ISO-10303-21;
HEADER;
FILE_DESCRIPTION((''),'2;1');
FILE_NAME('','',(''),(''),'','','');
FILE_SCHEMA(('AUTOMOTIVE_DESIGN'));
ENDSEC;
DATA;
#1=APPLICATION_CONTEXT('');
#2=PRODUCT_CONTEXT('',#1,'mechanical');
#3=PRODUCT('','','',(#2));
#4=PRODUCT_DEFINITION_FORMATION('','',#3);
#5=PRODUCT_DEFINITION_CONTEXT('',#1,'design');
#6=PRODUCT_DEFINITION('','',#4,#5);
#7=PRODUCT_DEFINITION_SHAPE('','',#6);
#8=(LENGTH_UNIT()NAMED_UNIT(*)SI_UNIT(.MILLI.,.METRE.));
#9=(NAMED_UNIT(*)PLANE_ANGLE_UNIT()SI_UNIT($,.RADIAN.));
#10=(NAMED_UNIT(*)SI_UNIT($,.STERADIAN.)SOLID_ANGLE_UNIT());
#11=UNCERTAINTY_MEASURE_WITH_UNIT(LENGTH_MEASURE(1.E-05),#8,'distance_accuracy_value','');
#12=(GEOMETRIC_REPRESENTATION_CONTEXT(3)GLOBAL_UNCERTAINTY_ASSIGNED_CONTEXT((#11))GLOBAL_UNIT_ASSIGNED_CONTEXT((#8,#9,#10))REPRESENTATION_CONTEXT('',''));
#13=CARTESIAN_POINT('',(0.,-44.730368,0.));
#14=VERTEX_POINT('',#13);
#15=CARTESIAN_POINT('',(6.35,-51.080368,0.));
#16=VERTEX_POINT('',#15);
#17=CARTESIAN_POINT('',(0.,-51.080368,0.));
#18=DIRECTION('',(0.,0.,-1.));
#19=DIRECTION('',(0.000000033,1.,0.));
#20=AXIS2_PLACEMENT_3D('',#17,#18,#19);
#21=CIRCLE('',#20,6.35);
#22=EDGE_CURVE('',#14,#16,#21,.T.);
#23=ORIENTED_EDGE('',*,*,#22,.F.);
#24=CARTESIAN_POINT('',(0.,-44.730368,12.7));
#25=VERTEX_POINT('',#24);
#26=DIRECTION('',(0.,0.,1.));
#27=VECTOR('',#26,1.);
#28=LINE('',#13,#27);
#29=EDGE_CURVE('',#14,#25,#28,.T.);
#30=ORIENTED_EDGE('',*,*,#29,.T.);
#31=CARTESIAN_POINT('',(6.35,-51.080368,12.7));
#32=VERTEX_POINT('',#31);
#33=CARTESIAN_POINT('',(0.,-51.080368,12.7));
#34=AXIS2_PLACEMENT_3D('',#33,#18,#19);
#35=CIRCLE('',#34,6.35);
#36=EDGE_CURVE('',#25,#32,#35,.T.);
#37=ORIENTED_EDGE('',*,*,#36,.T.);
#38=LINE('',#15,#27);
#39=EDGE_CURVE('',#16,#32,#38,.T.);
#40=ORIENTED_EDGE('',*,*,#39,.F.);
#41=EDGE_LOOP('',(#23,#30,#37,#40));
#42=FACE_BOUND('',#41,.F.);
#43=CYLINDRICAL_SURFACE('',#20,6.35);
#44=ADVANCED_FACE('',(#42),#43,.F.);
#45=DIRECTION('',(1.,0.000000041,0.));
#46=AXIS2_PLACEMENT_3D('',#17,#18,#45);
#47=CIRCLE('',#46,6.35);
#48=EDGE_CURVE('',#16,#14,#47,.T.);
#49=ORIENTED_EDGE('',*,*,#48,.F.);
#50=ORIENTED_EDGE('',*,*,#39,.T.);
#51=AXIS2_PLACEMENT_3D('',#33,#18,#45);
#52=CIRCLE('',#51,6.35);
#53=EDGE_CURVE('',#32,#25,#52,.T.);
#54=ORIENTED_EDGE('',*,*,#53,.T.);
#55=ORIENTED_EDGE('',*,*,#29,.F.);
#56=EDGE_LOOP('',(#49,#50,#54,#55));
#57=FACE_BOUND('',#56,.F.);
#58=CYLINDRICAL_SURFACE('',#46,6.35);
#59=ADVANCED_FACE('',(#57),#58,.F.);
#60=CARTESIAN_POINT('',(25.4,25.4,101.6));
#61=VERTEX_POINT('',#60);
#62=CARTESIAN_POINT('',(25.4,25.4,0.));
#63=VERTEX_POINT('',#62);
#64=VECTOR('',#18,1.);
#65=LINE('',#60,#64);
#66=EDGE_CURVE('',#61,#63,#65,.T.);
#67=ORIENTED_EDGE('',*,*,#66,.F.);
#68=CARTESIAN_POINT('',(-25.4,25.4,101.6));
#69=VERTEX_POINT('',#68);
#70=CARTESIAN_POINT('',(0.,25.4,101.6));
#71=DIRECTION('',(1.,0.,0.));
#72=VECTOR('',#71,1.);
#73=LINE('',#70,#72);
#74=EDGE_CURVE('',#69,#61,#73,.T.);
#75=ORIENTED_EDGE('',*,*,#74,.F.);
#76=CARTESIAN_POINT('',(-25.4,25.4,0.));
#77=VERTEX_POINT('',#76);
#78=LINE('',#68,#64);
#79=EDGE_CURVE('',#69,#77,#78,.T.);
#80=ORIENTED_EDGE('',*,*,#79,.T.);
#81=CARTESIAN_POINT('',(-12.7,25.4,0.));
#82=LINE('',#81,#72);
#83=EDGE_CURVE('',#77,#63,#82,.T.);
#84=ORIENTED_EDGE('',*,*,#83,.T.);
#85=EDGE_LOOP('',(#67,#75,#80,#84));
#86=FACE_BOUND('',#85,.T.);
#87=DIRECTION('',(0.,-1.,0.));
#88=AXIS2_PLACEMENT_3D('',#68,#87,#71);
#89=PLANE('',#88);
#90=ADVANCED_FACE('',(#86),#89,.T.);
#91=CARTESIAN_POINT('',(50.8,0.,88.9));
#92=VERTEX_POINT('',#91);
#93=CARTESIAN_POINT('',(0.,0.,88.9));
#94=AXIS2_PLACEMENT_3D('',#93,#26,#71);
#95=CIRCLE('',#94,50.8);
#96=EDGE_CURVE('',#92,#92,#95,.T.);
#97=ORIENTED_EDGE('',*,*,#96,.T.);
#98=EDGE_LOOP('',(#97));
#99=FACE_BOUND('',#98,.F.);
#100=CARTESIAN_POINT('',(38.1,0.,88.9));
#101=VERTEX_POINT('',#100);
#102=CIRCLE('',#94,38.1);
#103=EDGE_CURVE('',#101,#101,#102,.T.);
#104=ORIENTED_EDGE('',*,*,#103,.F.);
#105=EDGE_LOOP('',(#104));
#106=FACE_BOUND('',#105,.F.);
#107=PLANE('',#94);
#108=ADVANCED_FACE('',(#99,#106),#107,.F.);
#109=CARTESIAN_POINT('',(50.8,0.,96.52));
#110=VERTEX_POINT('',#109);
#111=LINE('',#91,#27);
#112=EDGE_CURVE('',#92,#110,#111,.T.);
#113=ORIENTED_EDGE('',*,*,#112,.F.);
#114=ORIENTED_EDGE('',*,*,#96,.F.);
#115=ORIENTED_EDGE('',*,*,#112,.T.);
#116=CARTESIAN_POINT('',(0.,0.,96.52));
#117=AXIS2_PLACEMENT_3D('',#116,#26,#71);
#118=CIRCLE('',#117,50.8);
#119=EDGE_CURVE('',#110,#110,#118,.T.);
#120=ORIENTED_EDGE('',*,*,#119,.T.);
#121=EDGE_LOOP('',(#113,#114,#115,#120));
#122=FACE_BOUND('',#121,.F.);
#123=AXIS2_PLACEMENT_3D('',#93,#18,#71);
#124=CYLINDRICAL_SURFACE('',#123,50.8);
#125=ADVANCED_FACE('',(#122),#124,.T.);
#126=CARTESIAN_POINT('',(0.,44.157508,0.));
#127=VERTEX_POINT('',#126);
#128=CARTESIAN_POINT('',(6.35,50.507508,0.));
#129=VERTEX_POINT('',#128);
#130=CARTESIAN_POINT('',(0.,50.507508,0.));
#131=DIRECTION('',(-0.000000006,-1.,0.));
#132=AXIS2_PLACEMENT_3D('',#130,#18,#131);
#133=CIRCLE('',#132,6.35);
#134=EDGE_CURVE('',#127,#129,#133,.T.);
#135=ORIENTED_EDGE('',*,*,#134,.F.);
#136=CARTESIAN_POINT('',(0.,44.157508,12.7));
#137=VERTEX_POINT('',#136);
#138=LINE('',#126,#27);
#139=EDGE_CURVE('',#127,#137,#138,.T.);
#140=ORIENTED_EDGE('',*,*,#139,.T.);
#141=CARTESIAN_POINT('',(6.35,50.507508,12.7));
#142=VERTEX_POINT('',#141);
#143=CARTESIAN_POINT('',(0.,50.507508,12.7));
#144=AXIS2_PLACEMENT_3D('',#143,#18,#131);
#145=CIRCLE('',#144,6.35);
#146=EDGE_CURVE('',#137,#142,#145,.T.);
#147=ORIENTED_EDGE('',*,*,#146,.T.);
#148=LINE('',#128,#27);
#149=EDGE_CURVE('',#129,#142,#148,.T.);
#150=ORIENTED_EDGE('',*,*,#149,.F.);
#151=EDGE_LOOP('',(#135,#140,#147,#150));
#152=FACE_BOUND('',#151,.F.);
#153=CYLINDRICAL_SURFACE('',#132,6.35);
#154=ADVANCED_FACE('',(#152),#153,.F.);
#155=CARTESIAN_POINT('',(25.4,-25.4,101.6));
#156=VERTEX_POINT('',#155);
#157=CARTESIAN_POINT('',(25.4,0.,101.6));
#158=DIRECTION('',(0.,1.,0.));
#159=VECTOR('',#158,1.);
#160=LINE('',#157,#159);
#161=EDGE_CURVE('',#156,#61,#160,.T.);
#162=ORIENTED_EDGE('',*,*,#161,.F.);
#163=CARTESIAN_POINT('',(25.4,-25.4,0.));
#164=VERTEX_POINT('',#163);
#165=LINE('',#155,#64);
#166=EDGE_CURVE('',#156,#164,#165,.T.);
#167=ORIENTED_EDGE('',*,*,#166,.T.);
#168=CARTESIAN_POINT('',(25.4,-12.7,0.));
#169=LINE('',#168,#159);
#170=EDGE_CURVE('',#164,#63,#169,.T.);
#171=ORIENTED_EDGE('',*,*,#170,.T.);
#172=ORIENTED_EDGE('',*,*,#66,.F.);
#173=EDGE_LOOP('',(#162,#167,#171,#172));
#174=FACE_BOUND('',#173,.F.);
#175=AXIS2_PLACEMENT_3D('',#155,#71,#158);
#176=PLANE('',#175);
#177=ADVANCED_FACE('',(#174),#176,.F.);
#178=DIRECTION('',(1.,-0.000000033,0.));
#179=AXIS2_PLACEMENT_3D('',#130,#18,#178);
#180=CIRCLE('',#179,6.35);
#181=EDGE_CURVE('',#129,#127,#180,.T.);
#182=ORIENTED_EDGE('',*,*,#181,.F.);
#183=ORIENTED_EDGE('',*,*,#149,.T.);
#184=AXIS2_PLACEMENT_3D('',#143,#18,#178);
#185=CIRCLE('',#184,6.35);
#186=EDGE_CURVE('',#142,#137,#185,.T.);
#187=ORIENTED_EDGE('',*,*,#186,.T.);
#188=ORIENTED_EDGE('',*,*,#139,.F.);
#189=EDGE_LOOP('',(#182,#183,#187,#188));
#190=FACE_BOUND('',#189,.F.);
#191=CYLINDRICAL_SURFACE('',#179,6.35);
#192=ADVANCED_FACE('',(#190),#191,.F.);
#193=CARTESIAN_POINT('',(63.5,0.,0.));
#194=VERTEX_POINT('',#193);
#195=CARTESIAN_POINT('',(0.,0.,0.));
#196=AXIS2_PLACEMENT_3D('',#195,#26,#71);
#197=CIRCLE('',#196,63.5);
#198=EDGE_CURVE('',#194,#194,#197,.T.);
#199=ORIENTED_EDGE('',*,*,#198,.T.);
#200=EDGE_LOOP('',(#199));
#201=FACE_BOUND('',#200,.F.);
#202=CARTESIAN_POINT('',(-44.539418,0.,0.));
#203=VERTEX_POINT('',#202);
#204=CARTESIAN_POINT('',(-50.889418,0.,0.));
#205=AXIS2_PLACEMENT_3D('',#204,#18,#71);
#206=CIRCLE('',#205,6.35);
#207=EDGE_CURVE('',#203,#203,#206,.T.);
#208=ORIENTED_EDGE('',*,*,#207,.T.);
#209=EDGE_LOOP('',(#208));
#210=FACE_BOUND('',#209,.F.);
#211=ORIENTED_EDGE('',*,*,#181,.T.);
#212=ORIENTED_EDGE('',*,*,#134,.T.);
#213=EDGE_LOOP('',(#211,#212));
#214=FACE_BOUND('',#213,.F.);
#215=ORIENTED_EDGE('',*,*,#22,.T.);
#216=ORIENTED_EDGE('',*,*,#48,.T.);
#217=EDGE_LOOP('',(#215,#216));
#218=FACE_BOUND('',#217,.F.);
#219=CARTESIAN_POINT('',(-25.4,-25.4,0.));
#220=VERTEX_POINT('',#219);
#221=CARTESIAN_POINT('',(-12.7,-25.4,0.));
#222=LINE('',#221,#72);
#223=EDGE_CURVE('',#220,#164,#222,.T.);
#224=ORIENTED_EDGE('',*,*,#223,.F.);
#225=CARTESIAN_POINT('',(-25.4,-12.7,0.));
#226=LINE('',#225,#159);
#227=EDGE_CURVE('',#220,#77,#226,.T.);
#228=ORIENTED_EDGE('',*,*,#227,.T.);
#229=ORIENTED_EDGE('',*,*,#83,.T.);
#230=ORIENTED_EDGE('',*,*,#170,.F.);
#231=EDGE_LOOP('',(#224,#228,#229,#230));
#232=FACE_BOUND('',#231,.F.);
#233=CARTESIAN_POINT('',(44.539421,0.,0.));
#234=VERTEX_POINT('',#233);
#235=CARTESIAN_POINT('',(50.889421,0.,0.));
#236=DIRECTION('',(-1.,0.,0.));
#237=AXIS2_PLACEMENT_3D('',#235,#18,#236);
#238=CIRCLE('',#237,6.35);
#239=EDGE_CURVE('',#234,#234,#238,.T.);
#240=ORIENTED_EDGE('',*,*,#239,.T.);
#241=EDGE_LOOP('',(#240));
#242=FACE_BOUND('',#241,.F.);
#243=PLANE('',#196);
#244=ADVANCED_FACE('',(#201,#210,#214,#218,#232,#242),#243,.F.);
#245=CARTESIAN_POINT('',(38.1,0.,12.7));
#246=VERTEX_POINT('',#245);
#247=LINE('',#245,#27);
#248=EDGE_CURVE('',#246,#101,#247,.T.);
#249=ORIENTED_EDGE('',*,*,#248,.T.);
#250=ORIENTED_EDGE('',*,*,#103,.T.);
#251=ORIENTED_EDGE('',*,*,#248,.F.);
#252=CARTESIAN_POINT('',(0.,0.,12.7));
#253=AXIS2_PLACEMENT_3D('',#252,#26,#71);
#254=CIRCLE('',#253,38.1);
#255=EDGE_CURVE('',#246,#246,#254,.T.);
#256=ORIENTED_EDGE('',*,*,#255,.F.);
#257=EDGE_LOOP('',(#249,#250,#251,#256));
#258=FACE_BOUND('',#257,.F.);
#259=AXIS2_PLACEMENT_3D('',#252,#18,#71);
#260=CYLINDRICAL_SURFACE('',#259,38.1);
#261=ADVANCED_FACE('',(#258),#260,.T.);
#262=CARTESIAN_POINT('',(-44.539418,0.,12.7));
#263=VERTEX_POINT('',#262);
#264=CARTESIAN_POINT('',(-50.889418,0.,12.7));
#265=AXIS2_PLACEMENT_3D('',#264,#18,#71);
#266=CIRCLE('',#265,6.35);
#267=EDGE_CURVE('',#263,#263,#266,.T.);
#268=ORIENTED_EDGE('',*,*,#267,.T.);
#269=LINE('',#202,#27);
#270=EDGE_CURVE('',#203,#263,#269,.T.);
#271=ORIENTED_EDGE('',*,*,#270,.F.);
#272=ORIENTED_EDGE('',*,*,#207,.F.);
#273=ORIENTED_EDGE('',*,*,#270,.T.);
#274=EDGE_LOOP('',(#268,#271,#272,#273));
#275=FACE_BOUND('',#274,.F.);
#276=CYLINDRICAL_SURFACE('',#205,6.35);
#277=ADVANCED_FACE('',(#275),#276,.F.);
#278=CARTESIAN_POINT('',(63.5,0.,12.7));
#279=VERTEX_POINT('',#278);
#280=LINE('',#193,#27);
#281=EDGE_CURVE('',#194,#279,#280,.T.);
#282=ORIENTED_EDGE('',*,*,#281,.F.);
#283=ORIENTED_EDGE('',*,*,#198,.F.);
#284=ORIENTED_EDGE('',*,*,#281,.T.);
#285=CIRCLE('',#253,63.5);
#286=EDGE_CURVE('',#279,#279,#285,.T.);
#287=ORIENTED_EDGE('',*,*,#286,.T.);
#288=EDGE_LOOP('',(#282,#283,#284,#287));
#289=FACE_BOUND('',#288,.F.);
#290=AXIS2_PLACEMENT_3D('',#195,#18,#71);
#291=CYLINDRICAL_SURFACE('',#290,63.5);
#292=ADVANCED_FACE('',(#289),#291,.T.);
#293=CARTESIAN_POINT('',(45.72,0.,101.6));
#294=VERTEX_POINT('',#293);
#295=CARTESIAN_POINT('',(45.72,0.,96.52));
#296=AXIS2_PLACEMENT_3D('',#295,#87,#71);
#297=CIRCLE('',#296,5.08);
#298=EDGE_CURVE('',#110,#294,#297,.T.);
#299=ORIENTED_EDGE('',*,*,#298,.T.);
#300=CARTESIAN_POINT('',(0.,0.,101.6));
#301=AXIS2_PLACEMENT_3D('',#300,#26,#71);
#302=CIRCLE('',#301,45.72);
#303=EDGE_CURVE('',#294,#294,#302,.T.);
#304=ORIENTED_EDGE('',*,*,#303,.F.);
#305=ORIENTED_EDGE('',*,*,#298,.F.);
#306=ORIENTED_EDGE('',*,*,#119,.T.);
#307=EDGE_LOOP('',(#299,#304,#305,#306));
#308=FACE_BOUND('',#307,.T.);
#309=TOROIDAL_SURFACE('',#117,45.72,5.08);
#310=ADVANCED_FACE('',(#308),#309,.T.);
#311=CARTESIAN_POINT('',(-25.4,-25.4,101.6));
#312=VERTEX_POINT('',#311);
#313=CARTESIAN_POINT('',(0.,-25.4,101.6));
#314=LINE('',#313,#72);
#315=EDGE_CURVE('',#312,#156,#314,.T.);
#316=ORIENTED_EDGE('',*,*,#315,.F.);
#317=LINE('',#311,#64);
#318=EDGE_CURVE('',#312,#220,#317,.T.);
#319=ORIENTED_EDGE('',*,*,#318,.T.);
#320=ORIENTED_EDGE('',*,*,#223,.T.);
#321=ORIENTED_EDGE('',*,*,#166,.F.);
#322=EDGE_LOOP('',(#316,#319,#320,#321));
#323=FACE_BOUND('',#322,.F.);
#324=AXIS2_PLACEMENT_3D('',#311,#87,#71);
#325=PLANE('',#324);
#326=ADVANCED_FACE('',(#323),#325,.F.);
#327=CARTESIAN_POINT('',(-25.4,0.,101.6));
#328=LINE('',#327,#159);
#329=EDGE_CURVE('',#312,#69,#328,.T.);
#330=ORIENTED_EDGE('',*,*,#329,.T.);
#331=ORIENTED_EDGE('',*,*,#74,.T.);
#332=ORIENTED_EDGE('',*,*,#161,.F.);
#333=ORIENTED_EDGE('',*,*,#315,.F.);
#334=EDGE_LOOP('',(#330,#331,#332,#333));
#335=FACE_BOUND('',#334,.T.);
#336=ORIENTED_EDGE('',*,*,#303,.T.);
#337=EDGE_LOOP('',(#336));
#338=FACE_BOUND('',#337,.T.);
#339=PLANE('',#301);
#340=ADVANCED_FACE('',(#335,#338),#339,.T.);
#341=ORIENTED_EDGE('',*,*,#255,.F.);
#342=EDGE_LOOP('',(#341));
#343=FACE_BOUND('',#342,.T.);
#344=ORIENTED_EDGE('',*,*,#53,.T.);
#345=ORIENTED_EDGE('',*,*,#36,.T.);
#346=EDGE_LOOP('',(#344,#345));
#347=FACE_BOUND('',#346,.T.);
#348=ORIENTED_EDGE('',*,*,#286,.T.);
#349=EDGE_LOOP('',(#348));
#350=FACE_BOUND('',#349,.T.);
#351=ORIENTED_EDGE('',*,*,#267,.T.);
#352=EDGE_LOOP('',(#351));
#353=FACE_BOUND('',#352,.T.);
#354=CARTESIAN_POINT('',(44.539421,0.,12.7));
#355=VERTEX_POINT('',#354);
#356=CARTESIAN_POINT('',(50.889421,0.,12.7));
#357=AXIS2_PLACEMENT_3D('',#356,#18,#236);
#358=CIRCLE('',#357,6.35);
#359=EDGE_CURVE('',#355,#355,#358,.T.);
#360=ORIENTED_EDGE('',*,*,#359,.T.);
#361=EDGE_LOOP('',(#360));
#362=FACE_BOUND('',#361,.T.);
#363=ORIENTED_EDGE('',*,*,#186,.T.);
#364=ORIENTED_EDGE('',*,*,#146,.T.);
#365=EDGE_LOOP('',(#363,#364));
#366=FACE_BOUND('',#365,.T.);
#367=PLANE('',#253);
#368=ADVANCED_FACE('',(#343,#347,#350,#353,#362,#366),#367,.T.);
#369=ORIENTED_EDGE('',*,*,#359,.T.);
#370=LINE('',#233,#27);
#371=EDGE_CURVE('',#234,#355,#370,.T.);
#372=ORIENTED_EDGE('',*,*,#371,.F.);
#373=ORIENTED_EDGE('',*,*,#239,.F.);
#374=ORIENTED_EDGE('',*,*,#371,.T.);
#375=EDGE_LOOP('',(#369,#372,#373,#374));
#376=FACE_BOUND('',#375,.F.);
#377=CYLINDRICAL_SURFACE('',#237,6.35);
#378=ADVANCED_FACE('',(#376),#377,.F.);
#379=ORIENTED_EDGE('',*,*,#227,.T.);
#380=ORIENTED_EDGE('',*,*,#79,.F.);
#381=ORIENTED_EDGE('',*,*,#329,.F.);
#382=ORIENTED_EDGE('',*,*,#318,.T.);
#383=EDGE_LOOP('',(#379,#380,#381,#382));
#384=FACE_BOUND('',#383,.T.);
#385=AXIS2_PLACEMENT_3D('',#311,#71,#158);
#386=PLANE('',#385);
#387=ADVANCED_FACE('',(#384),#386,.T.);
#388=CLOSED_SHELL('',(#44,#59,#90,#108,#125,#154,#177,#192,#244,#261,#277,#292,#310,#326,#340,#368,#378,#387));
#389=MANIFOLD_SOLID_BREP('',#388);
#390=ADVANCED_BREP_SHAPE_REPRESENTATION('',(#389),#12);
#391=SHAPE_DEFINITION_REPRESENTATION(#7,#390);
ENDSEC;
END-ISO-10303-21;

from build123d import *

# Parameters (mm, degrees)
F0_R      = 63.5
F1_DEPTH  = 12.7
F2_R      = 31.75
F3_DEPTH  = 76.2
F4_R      = 38.1
F5_DEPTH  = 76.2
F6_R      = 50.8
F7_DEPTH  = 12.7
F8_R      = 5.08
F9_R      = 6.35
F10_DEPTH = 50.8
F11_W     = 50.8
F11_H     = 50.8
F12_DEPTH = 120.142


with BuildPart() as f1:
    # F0 (on Top) → F1 (new body)
    with BuildSketch(Plane.XY):
        Circle(F0_R)
    extrude(amount=F1_DEPTH)

    # F2 (on face) → F3 (cut)
    with BuildSketch(Plane.XY.offset(12.7)):
        Circle(F2_R)
    extrude(amount=F3_DEPTH, mode=Mode.SUBTRACT)

    # F4 (on face) → F5 (join)
    with BuildSketch(Plane.XY.offset(12.7)):
        Circle(F4_R)
    extrude(amount=F5_DEPTH)

    # F6 (on face) → F7 (join)
    with BuildSketch(Plane.XY.offset(88.9)):
        Circle(F6_R)
    extrude(amount=F7_DEPTH)

    # F8
    f8_edges = [f1.edges().sort_by_distance(p)[0] for p in [
        (-50.8, 0, 101.6),
    ]]
    fillet(f8_edges, radius=F8_R)

    # F9 (on face) → F10 (cut)
    with BuildSketch(Plane(origin=(0, 0, 0), x_dir=(1, 0, 0), z_dir=(0, 0, -1))):
        with BuildLine():
            ThreePointArc((57.239421, 0), (50.889421, 6.35), (44.539421, 0))
            ThreePointArc((44.539421, 0), (50.889421, -6.35), (57.239421, 0))
        make_face()
        with BuildLine():
            ThreePointArc((6.35, -50.507508), (4.490128, -46.01738), (0, -44.157508))
            ThreePointArc((0, -44.157508), (-4.490128, -54.997636), (6.35, -50.507508))
        make_face()
        with Locations((-50.889418, 0)):
            Circle(F9_R)
        with BuildLine():
            ThreePointArc((6.35, 51.080368), (-4.490128, 55.570497), (0, 44.730368))
            ThreePointArc((0, 44.730368), (4.490128, 46.59024), (6.35, 51.080368))
        make_face()
    extrude(amount=-F10_DEPTH, mode=Mode.SUBTRACT)

    # F11 (on face) → F12 (cut)
    with BuildSketch(Plane.XY.offset(101.6)):
        Rectangle(F11_W, F11_H)
    extrude(amount=-F12_DEPTH, mode=Mode.SUBTRACT)


solid = f1.part
